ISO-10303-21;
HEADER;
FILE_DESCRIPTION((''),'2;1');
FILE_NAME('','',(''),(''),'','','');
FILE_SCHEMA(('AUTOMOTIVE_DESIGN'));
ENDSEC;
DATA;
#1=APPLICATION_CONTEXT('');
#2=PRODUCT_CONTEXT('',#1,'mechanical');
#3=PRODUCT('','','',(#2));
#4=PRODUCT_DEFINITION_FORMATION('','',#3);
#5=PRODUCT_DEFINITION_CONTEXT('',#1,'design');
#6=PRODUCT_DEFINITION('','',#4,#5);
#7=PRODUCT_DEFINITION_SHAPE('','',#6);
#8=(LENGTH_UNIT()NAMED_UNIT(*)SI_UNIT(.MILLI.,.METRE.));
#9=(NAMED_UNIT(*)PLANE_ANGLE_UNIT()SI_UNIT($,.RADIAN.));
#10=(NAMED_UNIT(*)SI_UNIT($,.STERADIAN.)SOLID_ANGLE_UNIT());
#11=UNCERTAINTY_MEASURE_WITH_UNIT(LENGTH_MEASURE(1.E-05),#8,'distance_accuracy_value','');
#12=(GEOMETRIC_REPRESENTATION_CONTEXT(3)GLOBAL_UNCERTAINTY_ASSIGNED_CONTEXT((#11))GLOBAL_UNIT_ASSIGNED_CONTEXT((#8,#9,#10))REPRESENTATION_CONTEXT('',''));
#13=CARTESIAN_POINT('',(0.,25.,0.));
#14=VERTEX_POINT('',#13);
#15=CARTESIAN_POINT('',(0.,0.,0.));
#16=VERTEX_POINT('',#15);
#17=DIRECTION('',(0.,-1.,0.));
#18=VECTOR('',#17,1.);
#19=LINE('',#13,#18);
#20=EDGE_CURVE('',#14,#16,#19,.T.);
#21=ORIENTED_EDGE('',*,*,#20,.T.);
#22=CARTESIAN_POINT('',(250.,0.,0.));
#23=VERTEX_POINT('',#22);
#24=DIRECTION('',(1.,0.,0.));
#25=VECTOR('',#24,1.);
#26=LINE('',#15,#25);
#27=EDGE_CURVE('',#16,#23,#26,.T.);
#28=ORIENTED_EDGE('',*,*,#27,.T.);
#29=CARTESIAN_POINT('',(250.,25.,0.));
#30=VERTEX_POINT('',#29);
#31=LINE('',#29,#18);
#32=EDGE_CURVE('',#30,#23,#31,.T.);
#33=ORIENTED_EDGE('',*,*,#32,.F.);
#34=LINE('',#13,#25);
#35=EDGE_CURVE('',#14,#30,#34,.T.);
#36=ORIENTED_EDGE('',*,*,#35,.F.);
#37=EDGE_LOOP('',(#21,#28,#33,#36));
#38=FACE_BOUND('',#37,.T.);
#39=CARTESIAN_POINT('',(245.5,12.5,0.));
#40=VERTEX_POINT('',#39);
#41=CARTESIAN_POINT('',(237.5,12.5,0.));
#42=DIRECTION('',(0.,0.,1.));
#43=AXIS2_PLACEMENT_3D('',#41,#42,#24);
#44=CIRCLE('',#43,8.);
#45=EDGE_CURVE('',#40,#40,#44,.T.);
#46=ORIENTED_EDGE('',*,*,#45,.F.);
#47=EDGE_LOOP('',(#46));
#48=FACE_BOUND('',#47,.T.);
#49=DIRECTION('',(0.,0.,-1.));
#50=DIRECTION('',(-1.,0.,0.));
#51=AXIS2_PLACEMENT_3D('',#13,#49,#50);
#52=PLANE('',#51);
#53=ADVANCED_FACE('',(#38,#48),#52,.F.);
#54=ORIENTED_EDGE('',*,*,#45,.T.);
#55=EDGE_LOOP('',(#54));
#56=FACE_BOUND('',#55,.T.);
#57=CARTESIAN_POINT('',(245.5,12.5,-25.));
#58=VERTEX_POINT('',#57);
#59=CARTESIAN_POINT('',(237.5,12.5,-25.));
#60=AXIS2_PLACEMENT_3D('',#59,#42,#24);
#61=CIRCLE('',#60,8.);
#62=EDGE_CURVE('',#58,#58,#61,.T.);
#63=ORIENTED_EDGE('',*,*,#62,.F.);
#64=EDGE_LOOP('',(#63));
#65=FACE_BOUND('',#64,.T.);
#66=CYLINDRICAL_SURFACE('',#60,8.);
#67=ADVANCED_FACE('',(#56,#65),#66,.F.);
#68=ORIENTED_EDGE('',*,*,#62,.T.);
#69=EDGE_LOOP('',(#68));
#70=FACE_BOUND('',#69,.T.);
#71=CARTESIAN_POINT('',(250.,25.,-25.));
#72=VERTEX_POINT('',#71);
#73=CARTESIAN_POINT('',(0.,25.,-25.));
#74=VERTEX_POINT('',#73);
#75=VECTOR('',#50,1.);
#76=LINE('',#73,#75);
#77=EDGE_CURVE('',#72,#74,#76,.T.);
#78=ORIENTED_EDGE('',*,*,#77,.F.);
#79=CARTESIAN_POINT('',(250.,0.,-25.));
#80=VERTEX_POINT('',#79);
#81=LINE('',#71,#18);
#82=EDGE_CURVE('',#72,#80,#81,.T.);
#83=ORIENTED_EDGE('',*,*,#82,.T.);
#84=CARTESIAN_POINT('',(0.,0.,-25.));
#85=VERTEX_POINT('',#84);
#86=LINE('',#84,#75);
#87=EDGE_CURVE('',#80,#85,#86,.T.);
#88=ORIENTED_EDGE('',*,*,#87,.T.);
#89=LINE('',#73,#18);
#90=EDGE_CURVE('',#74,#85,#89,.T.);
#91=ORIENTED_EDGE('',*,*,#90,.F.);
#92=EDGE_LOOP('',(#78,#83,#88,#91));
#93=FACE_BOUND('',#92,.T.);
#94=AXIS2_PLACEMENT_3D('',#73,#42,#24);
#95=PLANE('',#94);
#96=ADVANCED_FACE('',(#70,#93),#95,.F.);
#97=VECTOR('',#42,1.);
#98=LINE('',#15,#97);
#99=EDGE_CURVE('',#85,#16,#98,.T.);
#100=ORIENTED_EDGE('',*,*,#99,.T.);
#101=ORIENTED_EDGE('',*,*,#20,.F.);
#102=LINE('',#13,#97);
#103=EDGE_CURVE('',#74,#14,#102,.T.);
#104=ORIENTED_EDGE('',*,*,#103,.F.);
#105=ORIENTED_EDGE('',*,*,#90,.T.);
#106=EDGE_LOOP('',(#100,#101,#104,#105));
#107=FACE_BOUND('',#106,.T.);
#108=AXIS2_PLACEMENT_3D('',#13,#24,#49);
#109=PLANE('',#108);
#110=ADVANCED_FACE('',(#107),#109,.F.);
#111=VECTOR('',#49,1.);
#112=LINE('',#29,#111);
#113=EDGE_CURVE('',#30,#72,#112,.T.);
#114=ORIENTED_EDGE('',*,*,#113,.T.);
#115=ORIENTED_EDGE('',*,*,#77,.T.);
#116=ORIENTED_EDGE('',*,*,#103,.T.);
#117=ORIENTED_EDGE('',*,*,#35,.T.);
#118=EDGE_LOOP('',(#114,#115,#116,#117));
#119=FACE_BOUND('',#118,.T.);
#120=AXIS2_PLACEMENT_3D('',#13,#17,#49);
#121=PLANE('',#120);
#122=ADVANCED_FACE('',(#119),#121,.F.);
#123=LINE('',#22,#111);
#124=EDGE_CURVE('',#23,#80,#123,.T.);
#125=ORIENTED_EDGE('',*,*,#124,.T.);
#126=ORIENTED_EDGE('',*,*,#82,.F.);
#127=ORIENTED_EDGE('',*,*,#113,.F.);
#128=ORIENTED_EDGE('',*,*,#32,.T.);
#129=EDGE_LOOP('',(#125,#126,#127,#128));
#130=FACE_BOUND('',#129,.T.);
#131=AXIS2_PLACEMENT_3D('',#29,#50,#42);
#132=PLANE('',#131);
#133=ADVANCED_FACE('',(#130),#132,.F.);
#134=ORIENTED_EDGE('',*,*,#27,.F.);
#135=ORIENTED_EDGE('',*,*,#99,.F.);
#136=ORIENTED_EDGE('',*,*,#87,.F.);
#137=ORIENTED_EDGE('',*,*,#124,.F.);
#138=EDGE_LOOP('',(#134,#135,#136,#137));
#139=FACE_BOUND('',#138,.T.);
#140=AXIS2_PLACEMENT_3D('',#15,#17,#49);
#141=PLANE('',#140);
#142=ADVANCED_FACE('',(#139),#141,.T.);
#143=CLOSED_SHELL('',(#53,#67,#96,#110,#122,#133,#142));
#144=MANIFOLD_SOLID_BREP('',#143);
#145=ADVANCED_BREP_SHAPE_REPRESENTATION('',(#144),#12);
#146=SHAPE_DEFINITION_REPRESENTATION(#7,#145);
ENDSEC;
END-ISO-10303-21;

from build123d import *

# Parameters (mm, degrees)
SKETCH1_W           = 250
SKETCH1_H           = 25
BOSS_EXTRUDE1_DEPTH = 25
SKETCH2_R           = 8
CUT_EXTRUDE1_DEPTH  = 26


with BuildPart() as part:
    # Sketch1 → Boss-Extrude1 (new body)
    with BuildSketch(Plane(origin=(0, 0, 0), x_dir=(1, 0, 0), z_dir=(0, 1, 0))):
        with Locations((125, 12.5)):
            Rectangle(SKETCH1_W, SKETCH1_H)
    extrude(amount=BOSS_EXTRUDE1_DEPTH)

    # Sketch2 → Cut-Extrude1 (cut, through all)
    with BuildSketch(Plane.XY):
        with Locations((237.5, 12.5)):
            Circle(SKETCH2_R)
    extrude(amount=-CUT_EXTRUDE1_DEPTH, mode=Mode.SUBTRACT)


solid = part.part
